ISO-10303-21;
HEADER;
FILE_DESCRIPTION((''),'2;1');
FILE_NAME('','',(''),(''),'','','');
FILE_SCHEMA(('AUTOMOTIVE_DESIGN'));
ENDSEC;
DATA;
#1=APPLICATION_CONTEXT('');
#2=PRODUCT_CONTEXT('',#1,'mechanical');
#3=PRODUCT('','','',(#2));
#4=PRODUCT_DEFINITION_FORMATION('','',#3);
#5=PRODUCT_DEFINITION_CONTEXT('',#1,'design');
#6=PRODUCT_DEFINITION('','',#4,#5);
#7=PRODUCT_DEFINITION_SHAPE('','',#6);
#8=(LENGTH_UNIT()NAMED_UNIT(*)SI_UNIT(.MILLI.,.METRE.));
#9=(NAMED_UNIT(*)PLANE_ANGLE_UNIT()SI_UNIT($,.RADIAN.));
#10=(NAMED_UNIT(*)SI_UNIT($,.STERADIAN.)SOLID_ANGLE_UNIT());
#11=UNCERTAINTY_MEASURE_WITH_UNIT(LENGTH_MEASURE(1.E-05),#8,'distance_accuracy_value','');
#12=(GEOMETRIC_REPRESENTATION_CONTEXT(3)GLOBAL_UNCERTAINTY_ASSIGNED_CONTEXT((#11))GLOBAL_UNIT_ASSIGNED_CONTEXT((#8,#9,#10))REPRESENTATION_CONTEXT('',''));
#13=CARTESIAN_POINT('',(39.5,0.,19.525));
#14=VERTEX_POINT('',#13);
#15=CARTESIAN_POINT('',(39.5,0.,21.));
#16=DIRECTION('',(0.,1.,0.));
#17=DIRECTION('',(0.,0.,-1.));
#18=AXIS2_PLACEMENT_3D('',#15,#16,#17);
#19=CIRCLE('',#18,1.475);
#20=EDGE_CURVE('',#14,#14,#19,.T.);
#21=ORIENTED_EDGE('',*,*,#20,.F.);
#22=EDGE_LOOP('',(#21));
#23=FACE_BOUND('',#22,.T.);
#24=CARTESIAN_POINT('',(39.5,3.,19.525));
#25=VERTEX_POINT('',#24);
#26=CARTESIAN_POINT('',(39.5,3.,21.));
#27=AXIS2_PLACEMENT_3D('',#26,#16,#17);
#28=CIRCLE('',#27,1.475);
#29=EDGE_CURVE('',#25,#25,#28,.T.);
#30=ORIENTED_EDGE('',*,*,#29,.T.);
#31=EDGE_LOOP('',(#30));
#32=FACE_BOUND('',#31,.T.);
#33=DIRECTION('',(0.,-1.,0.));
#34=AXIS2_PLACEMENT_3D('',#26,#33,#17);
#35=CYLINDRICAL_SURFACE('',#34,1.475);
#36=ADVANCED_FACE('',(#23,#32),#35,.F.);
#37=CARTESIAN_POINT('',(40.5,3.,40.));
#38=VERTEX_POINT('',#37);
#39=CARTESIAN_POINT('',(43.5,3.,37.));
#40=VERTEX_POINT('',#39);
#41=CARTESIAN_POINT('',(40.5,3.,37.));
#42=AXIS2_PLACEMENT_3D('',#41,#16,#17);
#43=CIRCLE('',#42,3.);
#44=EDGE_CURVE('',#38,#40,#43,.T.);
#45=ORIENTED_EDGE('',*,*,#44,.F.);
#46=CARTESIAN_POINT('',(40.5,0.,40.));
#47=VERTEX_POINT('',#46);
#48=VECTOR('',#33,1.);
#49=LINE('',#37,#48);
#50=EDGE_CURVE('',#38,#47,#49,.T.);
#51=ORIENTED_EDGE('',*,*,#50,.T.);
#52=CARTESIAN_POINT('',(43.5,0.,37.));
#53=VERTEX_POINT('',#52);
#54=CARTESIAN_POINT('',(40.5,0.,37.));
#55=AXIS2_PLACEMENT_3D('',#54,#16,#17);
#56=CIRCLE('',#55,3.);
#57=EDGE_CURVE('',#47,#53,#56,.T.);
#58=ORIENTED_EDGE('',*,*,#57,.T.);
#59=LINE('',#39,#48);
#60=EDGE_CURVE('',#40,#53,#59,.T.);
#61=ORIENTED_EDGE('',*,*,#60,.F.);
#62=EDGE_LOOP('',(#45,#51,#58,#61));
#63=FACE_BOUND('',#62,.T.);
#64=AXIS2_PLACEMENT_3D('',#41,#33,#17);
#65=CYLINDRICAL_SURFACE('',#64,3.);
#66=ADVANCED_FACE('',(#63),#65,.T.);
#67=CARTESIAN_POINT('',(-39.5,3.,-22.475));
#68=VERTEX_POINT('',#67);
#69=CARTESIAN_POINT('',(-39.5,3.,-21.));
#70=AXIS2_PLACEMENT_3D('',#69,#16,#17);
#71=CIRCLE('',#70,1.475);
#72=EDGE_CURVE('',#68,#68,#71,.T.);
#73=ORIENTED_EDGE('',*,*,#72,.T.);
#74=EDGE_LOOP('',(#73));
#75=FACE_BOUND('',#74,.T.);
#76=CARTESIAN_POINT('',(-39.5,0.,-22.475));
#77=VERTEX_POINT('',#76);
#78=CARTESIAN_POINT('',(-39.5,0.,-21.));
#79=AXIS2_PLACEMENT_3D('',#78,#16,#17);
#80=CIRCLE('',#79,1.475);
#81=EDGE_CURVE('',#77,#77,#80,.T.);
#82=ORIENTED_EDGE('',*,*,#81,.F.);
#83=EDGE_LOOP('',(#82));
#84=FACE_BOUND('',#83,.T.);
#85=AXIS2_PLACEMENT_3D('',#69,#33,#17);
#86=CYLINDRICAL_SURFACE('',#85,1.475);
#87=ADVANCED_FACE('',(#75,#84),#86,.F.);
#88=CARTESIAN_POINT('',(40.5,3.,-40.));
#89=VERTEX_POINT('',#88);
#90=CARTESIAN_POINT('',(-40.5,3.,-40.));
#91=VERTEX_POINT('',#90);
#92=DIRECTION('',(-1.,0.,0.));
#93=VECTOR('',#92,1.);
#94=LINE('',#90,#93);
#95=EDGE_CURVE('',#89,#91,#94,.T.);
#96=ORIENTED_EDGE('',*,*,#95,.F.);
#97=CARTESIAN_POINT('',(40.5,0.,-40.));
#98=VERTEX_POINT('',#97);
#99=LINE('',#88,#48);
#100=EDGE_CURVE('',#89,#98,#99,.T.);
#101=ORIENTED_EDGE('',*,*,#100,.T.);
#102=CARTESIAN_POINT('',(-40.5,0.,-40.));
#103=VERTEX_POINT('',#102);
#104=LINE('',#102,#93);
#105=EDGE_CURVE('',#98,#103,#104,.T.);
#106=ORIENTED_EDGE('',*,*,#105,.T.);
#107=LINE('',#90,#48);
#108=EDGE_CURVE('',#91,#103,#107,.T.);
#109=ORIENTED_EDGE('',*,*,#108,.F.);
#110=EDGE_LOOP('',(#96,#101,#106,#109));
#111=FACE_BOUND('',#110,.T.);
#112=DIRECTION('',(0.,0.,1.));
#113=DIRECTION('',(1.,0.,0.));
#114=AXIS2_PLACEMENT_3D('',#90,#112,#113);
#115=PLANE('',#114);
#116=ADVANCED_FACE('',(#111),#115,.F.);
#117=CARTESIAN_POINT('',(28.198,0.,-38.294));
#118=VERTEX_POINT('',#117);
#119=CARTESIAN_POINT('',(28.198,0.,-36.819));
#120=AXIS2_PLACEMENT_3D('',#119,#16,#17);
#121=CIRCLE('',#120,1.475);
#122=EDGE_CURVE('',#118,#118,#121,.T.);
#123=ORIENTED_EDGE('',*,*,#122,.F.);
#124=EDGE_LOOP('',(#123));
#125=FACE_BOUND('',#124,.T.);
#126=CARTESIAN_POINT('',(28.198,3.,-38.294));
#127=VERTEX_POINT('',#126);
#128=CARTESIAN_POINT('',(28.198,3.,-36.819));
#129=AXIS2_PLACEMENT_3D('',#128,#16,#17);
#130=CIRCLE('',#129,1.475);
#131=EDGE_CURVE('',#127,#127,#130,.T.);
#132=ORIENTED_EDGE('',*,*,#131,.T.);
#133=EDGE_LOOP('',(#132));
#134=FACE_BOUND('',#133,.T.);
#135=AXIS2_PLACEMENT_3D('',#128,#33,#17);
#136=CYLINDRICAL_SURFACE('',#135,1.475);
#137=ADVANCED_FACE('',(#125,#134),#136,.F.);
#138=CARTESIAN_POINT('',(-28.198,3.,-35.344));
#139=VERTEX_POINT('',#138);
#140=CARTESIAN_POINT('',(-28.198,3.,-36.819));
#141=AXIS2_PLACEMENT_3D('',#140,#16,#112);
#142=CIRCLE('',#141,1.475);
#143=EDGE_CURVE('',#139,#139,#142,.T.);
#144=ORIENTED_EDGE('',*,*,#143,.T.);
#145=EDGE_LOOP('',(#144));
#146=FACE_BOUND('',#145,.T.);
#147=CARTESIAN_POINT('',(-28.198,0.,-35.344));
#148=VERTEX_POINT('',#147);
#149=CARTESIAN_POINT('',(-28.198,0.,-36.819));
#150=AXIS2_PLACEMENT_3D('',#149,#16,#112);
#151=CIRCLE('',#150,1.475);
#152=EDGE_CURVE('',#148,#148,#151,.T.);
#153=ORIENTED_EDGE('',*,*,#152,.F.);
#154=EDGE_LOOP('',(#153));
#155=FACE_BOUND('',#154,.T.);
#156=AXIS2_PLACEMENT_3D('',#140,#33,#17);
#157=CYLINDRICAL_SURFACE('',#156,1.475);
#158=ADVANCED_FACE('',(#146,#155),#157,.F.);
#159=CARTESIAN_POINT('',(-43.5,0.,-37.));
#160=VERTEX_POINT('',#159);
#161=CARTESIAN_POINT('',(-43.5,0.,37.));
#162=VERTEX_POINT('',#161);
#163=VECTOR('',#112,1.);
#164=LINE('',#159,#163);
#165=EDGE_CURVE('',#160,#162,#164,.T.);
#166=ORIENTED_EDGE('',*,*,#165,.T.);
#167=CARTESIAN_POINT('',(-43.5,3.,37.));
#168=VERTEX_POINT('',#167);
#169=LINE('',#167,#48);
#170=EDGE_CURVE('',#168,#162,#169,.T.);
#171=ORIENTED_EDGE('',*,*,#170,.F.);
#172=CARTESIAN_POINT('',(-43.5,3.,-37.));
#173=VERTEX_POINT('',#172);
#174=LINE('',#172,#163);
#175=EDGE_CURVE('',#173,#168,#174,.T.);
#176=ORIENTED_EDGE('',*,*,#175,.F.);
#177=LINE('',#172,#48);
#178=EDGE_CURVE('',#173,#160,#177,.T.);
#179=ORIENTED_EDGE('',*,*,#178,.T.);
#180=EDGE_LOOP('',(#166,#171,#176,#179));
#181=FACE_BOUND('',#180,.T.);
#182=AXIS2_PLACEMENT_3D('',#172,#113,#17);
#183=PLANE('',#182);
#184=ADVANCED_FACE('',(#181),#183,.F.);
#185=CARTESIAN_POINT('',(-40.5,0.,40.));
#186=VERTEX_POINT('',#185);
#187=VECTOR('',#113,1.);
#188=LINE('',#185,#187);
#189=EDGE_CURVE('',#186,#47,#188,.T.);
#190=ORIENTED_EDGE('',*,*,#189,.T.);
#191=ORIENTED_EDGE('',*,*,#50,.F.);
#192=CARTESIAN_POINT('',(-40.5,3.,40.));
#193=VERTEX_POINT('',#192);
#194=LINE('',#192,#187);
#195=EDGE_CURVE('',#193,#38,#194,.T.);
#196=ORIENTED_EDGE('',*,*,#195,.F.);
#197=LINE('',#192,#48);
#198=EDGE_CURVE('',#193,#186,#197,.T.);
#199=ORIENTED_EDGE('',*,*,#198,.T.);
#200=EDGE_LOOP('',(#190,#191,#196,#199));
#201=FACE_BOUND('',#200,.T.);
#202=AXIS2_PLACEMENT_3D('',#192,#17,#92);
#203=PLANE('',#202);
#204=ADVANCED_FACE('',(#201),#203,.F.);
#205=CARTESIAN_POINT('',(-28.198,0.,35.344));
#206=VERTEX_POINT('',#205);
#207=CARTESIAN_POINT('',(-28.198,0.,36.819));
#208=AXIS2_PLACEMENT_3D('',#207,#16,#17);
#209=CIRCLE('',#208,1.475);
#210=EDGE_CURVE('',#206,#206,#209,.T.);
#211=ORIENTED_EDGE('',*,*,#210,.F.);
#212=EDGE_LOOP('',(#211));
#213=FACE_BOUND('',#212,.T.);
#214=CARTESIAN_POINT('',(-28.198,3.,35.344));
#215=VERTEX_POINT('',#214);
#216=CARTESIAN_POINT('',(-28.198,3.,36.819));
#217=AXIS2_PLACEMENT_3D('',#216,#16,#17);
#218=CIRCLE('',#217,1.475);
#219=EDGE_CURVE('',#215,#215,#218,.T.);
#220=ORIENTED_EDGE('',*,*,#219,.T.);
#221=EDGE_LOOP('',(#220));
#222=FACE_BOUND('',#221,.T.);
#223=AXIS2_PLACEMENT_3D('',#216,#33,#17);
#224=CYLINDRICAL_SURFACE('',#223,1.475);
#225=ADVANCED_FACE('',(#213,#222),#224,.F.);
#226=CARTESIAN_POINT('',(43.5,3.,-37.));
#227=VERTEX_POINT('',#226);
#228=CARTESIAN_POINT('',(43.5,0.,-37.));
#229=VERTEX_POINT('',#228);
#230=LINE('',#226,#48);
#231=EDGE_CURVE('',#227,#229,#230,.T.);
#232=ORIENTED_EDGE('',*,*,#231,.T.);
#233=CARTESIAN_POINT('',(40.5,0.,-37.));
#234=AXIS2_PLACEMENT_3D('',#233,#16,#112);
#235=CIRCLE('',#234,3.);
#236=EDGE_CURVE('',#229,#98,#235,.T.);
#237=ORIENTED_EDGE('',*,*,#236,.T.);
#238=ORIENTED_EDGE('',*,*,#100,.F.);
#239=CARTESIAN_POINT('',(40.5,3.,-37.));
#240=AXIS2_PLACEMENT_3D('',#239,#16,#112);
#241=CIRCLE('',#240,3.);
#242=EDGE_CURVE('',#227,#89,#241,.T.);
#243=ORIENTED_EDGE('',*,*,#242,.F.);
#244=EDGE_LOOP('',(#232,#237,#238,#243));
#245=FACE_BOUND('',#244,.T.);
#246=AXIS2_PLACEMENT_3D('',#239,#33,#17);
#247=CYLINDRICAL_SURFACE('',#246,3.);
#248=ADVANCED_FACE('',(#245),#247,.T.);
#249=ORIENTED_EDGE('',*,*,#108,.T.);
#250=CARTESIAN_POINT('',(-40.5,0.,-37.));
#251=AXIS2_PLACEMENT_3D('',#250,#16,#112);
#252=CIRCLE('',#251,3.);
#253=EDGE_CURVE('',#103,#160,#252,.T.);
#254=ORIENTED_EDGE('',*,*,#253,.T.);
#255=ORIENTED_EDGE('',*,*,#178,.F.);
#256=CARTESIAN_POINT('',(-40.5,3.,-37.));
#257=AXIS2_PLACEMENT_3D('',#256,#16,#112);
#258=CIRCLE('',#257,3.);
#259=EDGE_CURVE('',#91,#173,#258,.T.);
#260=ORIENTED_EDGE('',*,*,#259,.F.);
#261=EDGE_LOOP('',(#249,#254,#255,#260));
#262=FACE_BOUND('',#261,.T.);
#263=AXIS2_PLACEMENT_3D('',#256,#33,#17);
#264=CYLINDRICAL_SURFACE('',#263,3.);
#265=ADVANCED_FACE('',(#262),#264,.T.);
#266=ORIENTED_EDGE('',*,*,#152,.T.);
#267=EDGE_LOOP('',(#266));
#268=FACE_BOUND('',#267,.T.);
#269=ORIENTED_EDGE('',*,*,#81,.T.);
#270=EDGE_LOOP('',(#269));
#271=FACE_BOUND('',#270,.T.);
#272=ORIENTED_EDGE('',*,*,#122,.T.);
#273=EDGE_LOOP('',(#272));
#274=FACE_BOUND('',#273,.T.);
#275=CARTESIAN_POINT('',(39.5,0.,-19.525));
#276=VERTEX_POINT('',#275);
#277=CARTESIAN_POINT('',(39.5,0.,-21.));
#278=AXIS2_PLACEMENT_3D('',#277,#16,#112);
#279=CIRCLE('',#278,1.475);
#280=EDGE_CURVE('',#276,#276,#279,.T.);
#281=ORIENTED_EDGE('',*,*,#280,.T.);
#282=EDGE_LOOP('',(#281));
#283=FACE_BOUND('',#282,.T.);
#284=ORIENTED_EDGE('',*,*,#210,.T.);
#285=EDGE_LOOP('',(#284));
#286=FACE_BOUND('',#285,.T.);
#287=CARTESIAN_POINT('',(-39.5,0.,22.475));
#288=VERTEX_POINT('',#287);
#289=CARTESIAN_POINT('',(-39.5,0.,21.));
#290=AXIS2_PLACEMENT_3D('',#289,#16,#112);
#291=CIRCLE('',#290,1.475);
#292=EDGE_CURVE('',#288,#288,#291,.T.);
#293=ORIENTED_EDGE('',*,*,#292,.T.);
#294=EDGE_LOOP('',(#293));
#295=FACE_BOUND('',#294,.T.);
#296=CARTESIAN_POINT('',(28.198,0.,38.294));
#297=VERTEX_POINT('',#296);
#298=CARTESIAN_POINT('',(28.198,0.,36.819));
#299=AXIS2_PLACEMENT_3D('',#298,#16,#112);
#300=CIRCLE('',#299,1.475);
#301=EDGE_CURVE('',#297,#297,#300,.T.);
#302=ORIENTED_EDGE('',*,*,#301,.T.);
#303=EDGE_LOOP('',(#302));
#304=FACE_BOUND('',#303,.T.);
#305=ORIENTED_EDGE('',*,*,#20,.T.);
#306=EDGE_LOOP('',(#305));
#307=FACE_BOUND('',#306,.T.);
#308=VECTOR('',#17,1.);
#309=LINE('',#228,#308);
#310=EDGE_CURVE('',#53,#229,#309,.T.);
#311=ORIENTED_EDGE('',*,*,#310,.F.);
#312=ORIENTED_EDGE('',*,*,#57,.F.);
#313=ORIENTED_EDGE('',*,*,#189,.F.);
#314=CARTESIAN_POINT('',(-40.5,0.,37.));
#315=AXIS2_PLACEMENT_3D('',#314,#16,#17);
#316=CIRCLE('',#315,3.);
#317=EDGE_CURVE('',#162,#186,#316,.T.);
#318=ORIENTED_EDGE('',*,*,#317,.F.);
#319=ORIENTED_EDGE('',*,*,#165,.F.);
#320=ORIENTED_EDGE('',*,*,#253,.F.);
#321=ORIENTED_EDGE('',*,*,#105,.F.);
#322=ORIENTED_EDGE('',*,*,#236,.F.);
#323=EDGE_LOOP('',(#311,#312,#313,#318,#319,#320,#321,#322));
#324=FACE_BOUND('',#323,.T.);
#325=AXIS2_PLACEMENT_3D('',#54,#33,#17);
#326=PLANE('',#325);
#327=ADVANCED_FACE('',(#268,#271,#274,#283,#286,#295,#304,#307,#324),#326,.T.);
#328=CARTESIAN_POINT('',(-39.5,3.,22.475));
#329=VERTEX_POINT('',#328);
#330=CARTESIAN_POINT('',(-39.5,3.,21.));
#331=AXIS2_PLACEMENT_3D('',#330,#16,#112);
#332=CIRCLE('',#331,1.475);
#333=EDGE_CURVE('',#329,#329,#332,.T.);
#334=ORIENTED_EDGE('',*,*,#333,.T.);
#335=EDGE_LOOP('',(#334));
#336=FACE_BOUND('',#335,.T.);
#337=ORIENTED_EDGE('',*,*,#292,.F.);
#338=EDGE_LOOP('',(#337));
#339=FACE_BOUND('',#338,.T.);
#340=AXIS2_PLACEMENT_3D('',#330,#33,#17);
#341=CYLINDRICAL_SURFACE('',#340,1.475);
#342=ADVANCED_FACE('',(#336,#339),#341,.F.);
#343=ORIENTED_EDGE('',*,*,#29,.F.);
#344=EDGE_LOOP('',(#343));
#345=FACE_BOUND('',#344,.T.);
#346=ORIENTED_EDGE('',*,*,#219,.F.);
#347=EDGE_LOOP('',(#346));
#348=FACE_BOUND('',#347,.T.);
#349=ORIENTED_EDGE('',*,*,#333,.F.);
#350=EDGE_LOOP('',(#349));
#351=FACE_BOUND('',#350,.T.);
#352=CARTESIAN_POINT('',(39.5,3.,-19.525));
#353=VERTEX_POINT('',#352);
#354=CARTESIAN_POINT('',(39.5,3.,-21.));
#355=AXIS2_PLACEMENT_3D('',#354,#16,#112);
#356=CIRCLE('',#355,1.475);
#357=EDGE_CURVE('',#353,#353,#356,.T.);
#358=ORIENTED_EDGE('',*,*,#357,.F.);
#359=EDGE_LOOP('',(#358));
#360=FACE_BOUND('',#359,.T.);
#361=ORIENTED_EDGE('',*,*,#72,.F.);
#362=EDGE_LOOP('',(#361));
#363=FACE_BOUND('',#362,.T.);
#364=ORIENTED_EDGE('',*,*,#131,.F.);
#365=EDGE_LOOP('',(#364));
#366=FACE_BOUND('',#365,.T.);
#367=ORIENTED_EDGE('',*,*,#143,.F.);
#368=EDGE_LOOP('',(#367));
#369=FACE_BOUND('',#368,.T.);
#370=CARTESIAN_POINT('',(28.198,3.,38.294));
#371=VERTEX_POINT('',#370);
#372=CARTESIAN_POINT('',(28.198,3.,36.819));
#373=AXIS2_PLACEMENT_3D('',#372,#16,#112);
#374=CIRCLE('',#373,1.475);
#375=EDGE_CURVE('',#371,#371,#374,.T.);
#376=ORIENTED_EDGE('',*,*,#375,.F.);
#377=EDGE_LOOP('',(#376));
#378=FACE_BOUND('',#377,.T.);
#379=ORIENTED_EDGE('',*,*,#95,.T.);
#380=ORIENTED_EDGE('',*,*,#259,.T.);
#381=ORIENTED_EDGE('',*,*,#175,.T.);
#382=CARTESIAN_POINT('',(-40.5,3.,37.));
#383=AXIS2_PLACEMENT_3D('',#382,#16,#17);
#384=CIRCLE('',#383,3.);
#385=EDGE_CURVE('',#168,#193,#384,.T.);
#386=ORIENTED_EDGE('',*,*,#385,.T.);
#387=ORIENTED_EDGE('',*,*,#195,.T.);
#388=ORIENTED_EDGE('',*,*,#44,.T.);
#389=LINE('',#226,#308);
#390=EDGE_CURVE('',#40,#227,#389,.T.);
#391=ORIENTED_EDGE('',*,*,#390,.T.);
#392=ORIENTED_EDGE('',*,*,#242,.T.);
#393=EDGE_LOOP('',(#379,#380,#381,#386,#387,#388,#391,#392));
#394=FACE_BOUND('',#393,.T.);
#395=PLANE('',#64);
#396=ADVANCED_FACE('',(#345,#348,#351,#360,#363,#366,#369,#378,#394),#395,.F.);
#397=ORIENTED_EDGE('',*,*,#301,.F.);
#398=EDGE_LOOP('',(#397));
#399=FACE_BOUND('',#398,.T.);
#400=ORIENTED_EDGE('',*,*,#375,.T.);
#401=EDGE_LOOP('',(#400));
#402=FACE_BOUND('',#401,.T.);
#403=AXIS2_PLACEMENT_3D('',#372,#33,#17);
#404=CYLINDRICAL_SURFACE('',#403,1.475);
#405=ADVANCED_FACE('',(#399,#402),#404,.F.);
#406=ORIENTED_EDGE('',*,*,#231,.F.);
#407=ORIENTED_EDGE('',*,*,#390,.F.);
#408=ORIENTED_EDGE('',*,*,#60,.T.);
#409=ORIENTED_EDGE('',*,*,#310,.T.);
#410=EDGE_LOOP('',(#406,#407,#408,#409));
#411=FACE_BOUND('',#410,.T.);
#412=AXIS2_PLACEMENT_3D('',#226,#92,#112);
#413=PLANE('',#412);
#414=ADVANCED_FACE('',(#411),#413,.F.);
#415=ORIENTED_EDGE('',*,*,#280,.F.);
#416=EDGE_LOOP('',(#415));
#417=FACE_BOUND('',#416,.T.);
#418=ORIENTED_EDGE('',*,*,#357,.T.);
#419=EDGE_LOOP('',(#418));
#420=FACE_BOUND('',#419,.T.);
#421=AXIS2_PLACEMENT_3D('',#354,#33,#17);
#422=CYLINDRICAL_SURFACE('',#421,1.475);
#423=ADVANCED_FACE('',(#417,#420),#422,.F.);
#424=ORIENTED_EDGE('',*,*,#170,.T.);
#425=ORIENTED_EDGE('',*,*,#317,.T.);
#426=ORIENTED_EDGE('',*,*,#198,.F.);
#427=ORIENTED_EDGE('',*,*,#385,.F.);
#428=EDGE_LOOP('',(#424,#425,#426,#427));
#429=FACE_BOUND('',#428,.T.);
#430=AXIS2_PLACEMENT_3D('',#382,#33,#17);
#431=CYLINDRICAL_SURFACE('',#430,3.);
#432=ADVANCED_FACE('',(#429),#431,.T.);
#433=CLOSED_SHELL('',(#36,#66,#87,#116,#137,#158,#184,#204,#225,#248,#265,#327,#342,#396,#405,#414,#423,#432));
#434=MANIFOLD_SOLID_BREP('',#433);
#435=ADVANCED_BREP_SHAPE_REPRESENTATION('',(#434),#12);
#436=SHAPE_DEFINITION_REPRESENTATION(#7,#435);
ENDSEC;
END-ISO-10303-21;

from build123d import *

# Parameters (mm, degrees)
SKETCH1_R           = 1.475
BOSS_EXTRUDE1_DEPTH = 3


with BuildPart() as part:
    # Sketch1 → Boss-Extrude1 (new body)
    with BuildSketch(Plane(origin=(0, 0, 0), x_dir=(1, 0, 0), z_dir=(0, 1, 0))):
        with BuildLine():
            Line((-40.5, 40), (40.5, 40))
            ThreePointArc((40.5, 40), (42.621320344, 39.121320344), (43.5, 37))
            Line((43.5, 37), (43.5, -37))
            ThreePointArc((43.5, -37), (42.621320344, -39.121320344), (40.5, -40))
            Line((40.5, -40), (-40.5, -40))
            ThreePointArc((-40.5, -40), (-42.621320344, -39.121320344), (-43.5, -37))
            Line((-43.5, -37), (-43.5, 37))
            ThreePointArc((-43.5, 37), (-42.621320344, 39.121320344), (-40.5, 40))
        make_face()
        with Locations(Location((28.198, -36.819, 0), (0, 0, 270))):
            Circle(SKETCH1_R, mode=Mode.SUBTRACT)
        with Locations(Location((28.198, 36.819, 0), (0, 0, 90))):
            Circle(SKETCH1_R, mode=Mode.SUBTRACT)
        with Locations(Location((-28.198, 36.819, 0), (0, 0, 270))):
            Circle(SKETCH1_R, mode=Mode.SUBTRACT)
        with Locations(Location((-28.198, -36.819, 0), (0, 0, 90))):
            Circle(SKETCH1_R, mode=Mode.SUBTRACT)
        with Locations(Location((39.5, 21, 0), (0, 0, 270))):
            Circle(SKETCH1_R, mode=Mode.SUBTRACT)
        with Locations(Location((-39.5, 21, 0), (0, 0, 90))):
            Circle(SKETCH1_R, mode=Mode.SUBTRACT)
        with Locations(Location((39.5, -21, 0), (0, 0, 90))):
            Circle(SKETCH1_R, mode=Mode.SUBTRACT)
        with Locations(Location((-39.5, -21, 0), (0, 0, 270))):
            Circle(SKETCH1_R, mode=Mode.SUBTRACT)
    extrude(amount=BOSS_EXTRUDE1_DEPTH)


solid = part.part
